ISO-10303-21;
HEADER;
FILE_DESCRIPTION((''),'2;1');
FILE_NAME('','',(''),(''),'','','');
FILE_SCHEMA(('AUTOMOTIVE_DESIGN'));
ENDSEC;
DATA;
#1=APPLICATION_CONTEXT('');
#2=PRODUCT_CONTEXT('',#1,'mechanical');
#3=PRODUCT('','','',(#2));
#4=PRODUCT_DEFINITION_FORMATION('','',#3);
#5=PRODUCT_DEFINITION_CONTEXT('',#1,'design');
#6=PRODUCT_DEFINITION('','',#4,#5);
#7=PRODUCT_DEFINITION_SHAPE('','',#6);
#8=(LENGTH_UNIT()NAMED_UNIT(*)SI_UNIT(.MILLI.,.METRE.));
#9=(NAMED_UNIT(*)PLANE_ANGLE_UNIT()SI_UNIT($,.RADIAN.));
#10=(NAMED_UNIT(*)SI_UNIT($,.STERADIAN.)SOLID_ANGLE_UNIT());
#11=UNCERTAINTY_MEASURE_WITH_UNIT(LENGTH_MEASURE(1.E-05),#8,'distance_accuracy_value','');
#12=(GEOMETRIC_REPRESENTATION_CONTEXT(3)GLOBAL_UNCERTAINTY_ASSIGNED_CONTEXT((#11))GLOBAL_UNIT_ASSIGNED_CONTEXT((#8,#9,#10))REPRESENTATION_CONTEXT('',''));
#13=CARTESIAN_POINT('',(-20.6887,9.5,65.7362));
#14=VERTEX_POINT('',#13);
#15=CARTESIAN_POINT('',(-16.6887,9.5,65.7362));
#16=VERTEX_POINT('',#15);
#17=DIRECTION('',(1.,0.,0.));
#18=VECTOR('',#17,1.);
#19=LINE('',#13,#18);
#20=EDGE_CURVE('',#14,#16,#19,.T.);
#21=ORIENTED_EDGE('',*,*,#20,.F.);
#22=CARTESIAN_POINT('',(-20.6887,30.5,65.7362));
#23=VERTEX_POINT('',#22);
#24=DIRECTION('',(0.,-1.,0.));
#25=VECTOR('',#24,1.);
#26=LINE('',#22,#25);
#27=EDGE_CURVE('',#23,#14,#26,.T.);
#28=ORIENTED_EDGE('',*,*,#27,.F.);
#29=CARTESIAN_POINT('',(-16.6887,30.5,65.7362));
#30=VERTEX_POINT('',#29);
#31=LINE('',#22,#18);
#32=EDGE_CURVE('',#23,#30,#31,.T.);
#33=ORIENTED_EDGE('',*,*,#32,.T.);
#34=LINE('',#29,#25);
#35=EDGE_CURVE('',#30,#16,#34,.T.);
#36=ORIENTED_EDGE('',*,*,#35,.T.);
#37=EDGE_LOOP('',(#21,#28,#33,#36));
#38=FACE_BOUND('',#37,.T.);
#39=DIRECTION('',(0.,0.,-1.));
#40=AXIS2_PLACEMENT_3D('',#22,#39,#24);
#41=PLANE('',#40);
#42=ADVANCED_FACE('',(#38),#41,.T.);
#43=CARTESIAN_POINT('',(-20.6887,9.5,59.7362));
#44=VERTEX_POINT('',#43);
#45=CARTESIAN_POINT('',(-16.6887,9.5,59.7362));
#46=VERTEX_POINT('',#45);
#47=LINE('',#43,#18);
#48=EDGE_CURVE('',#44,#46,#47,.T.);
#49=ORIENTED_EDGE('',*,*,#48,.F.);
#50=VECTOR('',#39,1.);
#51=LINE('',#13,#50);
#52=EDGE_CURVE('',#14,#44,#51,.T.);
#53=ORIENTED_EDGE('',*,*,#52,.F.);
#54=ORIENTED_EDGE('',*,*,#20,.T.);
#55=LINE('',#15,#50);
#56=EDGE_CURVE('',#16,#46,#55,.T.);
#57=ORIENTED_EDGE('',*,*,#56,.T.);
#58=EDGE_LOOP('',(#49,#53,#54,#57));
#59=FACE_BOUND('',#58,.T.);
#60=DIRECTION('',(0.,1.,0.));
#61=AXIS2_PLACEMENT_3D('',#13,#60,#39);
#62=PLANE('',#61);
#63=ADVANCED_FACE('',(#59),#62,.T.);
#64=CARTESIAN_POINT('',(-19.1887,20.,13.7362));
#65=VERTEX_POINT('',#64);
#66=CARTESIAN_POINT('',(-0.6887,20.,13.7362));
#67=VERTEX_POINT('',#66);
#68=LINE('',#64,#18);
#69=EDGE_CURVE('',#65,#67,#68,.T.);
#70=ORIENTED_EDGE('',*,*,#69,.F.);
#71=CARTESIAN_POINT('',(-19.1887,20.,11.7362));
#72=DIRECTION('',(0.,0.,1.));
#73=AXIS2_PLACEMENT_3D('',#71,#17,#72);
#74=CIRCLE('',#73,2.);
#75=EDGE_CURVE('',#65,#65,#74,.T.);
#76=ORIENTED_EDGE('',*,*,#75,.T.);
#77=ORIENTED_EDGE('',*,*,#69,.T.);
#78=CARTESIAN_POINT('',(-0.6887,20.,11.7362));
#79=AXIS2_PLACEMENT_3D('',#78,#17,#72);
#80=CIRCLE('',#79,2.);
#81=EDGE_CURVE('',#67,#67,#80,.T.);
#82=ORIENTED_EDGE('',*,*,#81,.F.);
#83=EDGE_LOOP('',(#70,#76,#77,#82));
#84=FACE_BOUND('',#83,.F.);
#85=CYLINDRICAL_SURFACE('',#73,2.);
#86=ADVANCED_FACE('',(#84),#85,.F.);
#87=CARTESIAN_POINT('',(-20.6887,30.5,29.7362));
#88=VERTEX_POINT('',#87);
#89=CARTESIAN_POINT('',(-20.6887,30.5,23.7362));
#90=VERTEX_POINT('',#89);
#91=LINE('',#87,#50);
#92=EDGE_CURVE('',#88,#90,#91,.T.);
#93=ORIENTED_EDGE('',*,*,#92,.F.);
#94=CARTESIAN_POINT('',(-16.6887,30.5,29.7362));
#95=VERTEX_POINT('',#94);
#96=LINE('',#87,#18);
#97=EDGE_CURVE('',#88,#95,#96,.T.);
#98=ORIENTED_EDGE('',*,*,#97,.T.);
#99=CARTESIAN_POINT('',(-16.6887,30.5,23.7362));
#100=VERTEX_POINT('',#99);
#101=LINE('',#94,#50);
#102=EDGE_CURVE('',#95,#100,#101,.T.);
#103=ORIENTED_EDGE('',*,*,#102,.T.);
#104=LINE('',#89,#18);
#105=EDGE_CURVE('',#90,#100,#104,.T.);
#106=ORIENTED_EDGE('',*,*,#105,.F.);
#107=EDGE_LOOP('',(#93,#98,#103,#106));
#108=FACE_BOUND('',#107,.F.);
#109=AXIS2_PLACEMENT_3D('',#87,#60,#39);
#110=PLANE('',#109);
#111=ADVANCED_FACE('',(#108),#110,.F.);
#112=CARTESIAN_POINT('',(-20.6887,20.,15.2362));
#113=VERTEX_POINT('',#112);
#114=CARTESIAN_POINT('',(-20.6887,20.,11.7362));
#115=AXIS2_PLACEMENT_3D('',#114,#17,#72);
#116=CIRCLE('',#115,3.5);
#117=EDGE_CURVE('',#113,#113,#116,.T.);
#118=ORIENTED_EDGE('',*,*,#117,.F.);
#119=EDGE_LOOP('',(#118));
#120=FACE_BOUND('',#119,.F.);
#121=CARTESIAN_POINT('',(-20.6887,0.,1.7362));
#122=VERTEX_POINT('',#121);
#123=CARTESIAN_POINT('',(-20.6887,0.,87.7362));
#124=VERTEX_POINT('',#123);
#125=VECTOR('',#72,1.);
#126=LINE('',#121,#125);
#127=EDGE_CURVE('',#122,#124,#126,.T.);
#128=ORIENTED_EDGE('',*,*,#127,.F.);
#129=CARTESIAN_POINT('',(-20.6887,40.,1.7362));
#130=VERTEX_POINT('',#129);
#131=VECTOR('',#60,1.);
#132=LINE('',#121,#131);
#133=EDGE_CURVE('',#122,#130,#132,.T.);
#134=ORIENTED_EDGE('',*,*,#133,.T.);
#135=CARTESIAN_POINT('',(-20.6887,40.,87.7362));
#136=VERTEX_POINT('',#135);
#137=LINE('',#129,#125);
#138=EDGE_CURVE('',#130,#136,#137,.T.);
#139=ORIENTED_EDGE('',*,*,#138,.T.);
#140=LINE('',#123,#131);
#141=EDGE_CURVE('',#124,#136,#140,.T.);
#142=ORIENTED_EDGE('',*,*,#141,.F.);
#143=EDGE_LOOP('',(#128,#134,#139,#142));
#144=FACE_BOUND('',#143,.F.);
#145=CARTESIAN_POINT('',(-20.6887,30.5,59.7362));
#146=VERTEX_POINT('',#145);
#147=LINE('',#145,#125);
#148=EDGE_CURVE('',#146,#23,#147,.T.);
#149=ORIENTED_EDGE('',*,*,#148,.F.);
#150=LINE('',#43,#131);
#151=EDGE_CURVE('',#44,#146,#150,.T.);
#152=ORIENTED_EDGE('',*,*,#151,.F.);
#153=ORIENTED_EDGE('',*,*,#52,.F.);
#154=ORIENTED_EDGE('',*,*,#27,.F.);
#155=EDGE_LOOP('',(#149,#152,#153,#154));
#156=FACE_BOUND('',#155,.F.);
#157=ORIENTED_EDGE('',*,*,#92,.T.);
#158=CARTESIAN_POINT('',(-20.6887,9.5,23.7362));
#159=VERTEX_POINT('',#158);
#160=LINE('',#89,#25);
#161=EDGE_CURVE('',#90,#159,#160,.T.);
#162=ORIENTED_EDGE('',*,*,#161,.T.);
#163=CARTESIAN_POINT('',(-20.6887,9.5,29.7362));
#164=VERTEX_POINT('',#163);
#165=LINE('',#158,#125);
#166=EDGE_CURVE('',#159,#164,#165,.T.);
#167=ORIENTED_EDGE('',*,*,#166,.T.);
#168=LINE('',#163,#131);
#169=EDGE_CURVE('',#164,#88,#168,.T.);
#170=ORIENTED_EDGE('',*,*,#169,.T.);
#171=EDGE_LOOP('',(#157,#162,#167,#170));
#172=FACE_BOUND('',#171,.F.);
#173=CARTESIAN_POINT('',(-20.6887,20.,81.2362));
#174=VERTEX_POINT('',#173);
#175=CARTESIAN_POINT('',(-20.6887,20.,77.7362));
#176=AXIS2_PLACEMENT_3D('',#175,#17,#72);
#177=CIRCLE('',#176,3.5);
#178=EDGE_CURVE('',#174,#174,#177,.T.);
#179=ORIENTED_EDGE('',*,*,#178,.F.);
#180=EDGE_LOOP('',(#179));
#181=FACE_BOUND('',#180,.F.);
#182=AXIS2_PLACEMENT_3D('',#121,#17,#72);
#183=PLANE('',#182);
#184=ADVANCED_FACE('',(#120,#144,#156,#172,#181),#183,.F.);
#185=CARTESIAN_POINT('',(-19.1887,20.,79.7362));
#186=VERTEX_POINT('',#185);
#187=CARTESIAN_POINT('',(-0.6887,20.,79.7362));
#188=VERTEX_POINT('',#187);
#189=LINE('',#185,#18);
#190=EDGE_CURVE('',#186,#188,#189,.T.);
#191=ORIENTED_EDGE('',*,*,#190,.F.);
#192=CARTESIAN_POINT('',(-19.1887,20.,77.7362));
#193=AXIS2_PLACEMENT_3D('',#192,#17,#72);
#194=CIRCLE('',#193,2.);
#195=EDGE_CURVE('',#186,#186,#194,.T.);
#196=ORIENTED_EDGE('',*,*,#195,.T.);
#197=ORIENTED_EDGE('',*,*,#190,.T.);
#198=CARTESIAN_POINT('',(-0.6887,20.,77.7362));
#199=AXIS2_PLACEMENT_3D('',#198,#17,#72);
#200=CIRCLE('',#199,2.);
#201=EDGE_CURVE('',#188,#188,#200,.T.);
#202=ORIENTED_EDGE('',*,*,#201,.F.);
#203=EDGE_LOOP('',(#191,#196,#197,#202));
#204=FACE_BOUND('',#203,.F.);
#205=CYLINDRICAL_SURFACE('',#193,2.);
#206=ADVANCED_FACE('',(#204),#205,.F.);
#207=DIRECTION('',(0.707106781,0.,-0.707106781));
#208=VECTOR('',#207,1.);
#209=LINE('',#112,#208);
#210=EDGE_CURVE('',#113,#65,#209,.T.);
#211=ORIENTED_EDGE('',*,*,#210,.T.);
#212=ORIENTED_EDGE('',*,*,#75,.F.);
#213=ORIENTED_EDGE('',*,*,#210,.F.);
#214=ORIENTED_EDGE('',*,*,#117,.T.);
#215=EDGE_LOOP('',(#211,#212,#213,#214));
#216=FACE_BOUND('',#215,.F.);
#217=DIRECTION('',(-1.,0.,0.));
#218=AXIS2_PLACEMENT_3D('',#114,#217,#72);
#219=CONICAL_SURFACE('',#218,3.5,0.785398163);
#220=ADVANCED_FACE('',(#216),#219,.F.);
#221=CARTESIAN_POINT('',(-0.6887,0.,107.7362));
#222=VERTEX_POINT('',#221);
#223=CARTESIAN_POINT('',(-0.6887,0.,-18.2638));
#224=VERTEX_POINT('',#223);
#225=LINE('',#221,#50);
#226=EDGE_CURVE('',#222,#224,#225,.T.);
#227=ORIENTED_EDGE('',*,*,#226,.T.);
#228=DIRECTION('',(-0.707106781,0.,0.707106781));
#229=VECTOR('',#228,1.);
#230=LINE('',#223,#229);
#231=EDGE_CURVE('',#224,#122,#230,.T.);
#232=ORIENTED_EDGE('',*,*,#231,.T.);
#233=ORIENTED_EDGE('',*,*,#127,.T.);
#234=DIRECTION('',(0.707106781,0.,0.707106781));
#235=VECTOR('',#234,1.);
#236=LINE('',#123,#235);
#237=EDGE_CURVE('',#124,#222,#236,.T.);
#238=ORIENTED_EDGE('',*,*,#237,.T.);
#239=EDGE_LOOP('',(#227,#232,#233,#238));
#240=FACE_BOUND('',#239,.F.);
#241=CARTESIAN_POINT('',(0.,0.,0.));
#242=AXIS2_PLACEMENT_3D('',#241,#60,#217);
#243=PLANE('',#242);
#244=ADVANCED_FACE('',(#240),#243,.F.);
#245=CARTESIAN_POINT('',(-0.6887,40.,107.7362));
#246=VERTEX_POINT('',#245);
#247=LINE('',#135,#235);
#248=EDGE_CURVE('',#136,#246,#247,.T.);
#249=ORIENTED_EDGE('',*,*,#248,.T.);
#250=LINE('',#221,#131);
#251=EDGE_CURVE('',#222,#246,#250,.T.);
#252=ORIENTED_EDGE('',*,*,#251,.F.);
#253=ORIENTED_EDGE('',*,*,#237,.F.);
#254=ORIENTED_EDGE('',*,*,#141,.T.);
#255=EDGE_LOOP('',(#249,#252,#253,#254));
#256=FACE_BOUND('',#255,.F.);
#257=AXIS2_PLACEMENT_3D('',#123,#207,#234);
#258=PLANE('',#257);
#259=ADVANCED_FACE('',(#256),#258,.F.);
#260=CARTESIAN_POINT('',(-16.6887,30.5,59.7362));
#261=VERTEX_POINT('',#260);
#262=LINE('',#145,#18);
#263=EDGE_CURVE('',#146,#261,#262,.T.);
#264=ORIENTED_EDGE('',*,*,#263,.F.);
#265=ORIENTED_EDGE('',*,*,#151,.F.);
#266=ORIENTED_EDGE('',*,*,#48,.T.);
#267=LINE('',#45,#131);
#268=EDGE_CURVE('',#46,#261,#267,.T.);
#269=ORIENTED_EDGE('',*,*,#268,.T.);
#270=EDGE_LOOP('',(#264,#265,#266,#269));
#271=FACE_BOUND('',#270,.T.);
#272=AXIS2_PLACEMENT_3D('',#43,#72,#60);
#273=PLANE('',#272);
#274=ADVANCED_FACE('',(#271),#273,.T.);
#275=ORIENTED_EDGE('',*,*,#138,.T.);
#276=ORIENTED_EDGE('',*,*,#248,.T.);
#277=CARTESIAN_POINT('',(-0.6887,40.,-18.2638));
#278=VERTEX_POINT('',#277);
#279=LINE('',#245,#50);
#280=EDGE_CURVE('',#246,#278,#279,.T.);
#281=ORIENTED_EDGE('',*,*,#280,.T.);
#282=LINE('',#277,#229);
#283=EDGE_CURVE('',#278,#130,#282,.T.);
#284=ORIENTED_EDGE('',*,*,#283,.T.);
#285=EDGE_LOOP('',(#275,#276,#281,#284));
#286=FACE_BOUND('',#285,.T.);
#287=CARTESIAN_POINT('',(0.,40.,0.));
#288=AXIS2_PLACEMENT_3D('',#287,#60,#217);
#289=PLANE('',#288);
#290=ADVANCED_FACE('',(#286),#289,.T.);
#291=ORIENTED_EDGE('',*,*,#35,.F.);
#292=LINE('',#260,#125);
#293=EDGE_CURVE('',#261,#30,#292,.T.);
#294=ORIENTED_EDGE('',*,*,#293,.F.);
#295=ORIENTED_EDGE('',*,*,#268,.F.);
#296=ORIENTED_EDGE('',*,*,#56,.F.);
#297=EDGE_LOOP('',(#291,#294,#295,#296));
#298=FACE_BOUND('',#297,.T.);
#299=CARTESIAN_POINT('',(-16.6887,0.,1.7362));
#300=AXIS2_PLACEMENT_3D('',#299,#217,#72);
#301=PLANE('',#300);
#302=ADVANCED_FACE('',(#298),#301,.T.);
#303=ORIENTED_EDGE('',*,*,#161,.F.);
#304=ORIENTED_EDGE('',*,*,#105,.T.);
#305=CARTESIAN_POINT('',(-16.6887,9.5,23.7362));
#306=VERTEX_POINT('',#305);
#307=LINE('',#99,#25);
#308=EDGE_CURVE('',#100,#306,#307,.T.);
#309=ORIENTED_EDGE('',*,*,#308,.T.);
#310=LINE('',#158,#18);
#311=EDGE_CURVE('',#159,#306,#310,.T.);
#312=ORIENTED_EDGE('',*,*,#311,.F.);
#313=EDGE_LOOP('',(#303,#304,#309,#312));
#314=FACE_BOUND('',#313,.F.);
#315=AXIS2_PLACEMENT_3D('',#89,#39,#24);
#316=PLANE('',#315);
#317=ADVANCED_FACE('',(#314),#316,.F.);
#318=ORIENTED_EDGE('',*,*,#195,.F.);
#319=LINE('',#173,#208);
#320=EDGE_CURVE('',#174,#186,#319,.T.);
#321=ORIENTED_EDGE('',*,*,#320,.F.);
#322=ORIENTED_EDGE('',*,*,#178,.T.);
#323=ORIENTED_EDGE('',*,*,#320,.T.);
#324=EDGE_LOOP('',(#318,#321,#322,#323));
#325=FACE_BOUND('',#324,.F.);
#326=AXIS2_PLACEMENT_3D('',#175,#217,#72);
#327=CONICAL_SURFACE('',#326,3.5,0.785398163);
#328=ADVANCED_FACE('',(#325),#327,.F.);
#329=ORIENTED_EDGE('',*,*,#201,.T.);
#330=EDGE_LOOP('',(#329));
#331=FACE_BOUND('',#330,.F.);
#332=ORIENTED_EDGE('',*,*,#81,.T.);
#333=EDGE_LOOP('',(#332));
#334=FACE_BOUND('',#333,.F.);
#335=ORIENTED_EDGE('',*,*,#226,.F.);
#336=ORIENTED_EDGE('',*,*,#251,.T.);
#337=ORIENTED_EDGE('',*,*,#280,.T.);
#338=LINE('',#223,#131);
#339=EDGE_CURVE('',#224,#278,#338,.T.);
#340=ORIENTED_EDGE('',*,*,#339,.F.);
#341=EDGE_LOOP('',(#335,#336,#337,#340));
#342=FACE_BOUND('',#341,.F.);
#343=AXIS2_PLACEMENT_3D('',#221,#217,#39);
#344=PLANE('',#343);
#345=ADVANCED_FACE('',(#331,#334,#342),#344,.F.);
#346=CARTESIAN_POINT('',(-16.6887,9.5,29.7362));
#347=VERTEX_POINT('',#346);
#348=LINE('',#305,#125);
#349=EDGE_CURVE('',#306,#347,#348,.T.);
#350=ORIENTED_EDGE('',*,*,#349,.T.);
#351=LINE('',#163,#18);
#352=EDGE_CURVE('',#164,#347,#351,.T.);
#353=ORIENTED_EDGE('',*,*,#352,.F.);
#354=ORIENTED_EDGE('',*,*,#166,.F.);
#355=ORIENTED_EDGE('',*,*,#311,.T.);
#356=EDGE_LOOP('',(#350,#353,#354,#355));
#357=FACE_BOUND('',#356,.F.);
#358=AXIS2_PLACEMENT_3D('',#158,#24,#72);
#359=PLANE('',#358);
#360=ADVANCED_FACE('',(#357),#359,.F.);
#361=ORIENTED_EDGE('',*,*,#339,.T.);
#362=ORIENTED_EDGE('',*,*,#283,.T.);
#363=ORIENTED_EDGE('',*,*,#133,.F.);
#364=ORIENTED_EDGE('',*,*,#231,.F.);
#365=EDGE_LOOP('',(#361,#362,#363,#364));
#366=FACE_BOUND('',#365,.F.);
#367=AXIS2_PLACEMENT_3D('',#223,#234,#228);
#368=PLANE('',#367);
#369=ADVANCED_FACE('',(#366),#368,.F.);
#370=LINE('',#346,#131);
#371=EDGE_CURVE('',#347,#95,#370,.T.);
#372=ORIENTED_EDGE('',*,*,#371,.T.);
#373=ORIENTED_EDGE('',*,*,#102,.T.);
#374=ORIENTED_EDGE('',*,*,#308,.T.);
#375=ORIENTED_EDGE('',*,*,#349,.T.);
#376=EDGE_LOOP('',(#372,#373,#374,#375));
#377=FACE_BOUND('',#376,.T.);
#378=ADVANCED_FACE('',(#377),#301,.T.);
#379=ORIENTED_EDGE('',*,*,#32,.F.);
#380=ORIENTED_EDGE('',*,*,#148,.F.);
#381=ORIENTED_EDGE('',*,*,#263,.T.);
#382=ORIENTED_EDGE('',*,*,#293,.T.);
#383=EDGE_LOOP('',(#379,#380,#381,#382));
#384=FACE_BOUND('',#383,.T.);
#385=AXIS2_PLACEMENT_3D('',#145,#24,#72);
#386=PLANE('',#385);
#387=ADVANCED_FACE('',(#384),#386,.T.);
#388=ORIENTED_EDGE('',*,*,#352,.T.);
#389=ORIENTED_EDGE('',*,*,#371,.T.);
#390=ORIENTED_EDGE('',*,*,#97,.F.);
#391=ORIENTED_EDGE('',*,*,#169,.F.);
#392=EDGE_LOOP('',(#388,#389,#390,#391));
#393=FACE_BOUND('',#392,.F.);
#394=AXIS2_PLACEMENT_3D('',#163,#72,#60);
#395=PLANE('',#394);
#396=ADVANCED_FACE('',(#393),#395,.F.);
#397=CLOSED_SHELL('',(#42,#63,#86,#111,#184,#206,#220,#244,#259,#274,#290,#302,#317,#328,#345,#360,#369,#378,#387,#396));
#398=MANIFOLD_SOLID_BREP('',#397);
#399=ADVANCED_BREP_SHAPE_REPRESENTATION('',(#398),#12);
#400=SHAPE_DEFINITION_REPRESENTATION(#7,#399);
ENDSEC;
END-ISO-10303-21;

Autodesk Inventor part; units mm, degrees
ref_plane "YZ Plane" through (0, 0, 0) normal (1, 0, 0) x (0, 1, 0)
ref_plane "XZ Plane" through (0, 0, 0) normal (0, 1, 0) x (-1, 0, 0)
ref_plane "XY Plane" through (0, 0, 0) normal (0, 0, 1) x (1, 0, 0)
sketch "Sketch1" plane through (0, 0, 0) normal (0, 1, 0) x (-1, 0, 0)
  line L0 (0.6887, 107.7362) -> (0.6887, -18.2638)
  line L1 (0.6887, -18.2638) -> (20.6887, 1.7362)
  line L2 (20.6887, 1.7362) -> (20.6887, 87.7362)
  line L3 (20.6887, 87.7362) -> (0.6887, 107.7362)
  point P0 (0, 0)
  dimension "d0" = 45
  dimension "d1" = 86
  dimension "d3" = 20
  dimension "d4" = 126
extrude "Extrusion1" add sketch "Sketch1" along normal blind 40
sketch "Sketch2" plane through (-20.6887, 0, 1.7362) normal (-1, 0, 0) x (0, 0, 1)
  line L0 (0, 0) -> (0, 40) construction
  line L1 (0, 20) -> (86, 20) construction
  line L2 (86, 0) -> (86, 40) construction
  line L3 (-20, 0) -> (-20, 40) construction
  line L4 (10, 20) -> (-20, 20) construction
  line L5 (76, 20) -> (106, 20) construction
  line L6 (106, 0) -> (106, 40) construction
  line L7 (22, 9.5) -> (28, 9.5)
  line L8 (28, 9.5) -> (28, 30.5)
  line L9 (28, 30.5) -> (22, 30.5)
  line L10 (22, 30.5) -> (22, 9.5)
  line L11 (43, 20) -> (43, 31.7658) construction
  line L12 (64, 9.5) -> (58, 9.5)
  line L13 (58, 9.5) -> (58, 30.5)
  line L14 (58, 30.5) -> (64, 30.5)
  line L15 (64, 30.5) -> (64, 9.5)
  point P0 (-1.7362, 0)
  point P1 (22, 20)
  dimension "d7" = 30
  dimension "d8" = 5
  dimension "d9" = 20
  dimension "d10" = 15
extrude "Extrusion2" cut sketch "Sketch2" against normal blind 4
hole "Hole1" at (-20.6887, 20, 11.7362) at (-20.6887, 20, 77.7362) direction (1, 0, 0) diameter 4 end through all countersink diameter 7 countersink angle 90
equation "\"d1\" = outer_carriage_innside_length"
equation "\"d3\" = outer_carriage_width"
equation "\"d5\" = outer_carriage_height"
equation "\"d7\" = outer_carriage_corner_to_screw"
equation "\"d8\" = glide_plate_width"
equation "\"d9\" = glide_plate_length"
equation "\"d10\" = outer_carriage_center_to_glideplate"
equation "\"d11\" = glide_plate_height - outer_carriage_to_centerlegg"
equation "\"d13\" = outer_carriage_screw_size"
equation "\"outer_carriage_length\" = d4"
equation "\"outer_carriage_height\" = 40"
equation "\"outer_carriage_width\" = 20"
equation "\"outer_carriage_screw_size\" = 4"
equation "\"outer_carriage_innside_length\" = long_centerlegg_width + 2 * outer_carriage_to_centerlegg"
equation "\"outer_carriage_center_to_glideplate\" = 15"
equation "\"outer_carriage_to_centerlegg\" = 1"
equation "\"outer_carriage_corner_to_screw\" = 30"
equation "\"glide_plate_width\" = 5"
equation "\"glide_plate_length\" = 20"
equation "\"glide_plate_height\" = 5"
equation "\"long_centerlegg_width\" = 84"
properties part number "01_one_side_base_model"
